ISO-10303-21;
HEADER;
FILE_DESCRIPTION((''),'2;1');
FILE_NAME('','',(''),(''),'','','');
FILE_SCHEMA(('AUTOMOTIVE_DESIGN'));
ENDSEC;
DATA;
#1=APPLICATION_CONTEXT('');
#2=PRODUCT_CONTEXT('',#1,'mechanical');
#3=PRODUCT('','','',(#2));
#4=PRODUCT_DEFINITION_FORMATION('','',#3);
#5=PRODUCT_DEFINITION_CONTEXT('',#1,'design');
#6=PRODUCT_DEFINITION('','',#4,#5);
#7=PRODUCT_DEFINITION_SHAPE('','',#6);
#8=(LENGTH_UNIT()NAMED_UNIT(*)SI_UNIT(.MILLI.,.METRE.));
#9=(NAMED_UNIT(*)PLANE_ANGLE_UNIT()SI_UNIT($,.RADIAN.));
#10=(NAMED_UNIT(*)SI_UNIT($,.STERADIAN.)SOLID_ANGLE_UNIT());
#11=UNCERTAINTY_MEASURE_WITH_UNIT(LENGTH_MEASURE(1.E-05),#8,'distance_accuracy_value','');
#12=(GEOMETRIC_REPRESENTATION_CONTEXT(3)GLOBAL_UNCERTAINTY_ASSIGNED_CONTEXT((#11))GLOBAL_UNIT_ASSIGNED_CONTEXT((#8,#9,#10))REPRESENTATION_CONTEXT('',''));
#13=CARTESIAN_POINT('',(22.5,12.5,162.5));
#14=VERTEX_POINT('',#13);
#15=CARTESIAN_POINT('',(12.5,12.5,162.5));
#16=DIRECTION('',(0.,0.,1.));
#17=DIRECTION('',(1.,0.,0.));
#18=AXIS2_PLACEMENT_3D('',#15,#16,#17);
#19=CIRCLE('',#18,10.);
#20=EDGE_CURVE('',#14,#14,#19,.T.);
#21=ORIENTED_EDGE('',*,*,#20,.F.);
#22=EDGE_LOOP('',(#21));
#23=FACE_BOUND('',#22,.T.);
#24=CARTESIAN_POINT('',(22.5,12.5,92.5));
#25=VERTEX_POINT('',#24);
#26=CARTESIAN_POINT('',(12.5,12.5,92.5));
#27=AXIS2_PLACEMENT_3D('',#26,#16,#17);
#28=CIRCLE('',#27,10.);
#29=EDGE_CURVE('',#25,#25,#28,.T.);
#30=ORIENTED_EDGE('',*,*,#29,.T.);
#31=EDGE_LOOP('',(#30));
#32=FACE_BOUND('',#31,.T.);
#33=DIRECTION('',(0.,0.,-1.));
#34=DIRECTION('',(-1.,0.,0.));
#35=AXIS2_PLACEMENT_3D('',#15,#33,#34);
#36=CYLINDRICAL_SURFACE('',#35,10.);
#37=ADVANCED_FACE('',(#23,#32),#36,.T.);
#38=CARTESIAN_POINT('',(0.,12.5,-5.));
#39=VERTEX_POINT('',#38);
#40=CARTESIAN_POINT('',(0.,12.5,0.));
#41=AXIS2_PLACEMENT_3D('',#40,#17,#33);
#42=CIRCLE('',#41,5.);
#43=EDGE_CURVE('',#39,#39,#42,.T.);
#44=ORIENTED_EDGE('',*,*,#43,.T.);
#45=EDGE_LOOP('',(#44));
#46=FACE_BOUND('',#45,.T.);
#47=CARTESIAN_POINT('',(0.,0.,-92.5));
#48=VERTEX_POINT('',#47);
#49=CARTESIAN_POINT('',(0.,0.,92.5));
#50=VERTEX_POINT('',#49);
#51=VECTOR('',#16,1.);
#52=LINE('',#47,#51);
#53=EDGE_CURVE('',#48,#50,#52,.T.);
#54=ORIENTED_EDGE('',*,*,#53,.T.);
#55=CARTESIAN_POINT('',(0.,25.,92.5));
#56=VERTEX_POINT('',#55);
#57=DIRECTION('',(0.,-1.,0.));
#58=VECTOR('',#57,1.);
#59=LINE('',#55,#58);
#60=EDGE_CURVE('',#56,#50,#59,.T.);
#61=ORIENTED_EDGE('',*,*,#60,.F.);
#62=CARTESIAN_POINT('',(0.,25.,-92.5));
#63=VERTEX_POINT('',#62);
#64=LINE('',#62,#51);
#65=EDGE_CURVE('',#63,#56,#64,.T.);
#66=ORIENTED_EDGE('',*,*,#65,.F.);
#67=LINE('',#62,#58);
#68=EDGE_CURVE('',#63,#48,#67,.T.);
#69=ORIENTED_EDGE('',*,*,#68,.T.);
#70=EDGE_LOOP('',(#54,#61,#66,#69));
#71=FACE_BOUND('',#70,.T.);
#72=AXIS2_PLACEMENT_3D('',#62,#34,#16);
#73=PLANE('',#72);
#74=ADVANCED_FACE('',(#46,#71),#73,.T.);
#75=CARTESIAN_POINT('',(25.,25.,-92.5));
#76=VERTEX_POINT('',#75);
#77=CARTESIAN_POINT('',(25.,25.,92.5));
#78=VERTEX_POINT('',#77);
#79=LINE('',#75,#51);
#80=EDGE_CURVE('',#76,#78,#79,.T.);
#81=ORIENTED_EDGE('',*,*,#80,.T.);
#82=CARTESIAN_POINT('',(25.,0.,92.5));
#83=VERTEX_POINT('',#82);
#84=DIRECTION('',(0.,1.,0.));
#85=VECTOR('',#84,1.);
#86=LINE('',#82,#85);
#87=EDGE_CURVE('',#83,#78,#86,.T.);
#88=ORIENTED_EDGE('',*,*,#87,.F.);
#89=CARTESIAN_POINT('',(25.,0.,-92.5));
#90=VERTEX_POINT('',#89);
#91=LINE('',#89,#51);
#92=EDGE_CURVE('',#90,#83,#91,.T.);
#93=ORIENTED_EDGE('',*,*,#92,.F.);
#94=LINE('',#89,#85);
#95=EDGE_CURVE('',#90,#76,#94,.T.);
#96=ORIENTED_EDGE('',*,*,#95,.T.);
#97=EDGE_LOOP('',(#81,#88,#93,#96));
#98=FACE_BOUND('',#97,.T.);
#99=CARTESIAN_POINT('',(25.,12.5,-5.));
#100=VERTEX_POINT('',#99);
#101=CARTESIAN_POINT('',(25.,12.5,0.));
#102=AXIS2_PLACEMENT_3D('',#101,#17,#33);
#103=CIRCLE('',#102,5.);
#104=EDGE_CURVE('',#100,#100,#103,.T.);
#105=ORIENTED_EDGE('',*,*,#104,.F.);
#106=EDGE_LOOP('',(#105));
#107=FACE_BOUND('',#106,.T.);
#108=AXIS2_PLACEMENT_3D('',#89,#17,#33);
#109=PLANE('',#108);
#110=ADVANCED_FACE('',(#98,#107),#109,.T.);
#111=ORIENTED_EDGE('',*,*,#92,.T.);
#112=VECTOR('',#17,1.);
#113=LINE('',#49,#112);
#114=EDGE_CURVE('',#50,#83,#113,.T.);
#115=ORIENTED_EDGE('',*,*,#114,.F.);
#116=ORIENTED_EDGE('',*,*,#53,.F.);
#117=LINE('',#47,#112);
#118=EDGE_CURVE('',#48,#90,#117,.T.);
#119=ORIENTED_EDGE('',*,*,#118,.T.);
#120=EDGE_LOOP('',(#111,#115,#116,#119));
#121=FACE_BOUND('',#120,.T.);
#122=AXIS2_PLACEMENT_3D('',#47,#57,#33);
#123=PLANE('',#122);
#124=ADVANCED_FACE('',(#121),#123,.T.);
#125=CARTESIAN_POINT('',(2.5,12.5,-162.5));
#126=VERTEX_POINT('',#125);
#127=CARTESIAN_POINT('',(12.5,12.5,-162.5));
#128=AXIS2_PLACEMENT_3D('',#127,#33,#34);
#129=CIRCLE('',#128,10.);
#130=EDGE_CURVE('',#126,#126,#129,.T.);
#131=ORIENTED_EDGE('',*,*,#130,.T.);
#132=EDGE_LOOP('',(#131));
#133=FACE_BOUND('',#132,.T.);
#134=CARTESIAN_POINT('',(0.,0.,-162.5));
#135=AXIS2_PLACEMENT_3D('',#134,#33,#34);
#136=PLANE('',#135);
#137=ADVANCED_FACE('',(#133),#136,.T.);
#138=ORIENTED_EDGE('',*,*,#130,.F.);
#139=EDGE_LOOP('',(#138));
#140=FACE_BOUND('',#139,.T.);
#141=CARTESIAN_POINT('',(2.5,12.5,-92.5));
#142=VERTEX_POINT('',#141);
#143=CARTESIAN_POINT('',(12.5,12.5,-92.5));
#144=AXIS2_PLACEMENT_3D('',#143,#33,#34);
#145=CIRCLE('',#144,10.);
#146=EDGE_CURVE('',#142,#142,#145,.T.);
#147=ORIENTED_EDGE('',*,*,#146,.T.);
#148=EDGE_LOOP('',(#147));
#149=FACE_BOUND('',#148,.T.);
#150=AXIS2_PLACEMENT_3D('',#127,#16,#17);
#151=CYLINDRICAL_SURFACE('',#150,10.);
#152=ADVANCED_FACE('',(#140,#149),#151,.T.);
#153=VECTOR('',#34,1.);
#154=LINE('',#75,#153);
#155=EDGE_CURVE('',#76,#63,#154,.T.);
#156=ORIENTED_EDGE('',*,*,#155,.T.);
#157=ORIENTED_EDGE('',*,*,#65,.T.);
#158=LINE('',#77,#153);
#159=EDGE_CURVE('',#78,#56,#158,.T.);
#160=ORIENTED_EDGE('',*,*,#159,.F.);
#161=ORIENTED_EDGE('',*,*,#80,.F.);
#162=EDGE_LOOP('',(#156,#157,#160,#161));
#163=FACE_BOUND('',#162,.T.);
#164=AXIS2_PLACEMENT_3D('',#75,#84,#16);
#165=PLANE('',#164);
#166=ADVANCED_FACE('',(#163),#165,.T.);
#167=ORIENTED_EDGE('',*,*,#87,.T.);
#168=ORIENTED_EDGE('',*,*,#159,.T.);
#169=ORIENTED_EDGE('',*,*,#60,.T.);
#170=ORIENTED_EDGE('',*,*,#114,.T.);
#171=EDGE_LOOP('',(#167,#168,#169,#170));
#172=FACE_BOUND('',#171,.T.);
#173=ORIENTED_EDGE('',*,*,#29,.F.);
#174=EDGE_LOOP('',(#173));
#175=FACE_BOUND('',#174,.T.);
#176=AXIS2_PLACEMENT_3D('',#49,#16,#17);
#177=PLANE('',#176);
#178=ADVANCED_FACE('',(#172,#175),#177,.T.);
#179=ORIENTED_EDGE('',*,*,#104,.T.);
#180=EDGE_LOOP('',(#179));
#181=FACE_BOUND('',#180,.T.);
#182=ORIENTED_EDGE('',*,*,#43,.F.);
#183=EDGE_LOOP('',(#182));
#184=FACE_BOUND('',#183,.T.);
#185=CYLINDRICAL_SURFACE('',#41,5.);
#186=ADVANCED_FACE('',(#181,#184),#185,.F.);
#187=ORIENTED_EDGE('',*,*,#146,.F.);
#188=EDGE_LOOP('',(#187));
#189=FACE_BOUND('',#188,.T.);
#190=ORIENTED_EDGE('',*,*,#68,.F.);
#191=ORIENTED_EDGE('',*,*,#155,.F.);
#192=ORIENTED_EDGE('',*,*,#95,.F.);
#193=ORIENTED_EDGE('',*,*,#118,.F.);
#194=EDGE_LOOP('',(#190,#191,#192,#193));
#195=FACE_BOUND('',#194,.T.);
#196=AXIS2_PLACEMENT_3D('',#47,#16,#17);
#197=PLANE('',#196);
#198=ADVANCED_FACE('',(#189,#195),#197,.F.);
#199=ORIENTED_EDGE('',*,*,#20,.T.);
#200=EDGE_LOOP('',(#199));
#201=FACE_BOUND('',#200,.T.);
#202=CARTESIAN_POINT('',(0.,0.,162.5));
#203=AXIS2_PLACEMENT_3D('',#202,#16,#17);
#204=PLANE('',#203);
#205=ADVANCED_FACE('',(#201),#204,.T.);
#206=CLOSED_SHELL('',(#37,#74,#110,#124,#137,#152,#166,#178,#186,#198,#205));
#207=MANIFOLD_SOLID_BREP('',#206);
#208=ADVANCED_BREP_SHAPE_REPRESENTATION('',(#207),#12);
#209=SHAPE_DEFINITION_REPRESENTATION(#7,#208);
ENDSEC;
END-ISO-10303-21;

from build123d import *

# Parameters (mm, degrees)
BOSS_EXTRUDE1_DEPTH      = 92.5
BOSS_EXTRUDE1_DEPTH_BACK = 92.5
SKETCH1_W                = 25
SKETCH1_H                = 25
SKETCH2_R                = 5
CUT_EXTRUDE1_DEPTH       = 100.026511602
SKETCH3_R                = 10
BOSS_EXTRUDE2_DEPTH      = 70
BOSS_EXTRUDE3_START      = 70
BOSS_EXTRUDE3_DEPTH      = 70


with BuildPart() as part:
    # Sketch1 → Boss-Extrude1 (new, two sides: drawn at the far end of the back side and taken through both)
    with BuildSketch(Plane.XY.offset(-BOSS_EXTRUDE1_DEPTH_BACK)):
        with Locations((12.5, 12.5)):
            Rectangle(SKETCH1_W, SKETCH1_H)
    extrude(amount=BOSS_EXTRUDE1_DEPTH + BOSS_EXTRUDE1_DEPTH_BACK)

    # Sketch2 → Cut-Extrude1 (cut, through all)
    with BuildSketch(Plane(origin=(25, 0, 0), x_dir=(0, 0, -1), z_dir=(1, 0, 0))):
        with Locations((0, 12.5)):
            Circle(SKETCH2_R)
    extrude(amount=-CUT_EXTRUDE1_DEPTH, mode=Mode.SUBTRACT)

    # Sketch3 → Boss-Extrude2 (add)
    with BuildSketch(Plane.XY.offset(92.5)):
        with Locations((12.5, 12.5)):
            Circle(SKETCH3_R)
    extrude(amount=BOSS_EXTRUDE2_DEPTH)

    # Sketch4 → Boss-Extrude3 (add)
    with BuildSketch(Plane(origin=(0, 0, -92.5), x_dir=(-1, 0, 0), z_dir=(0, 0, -1)).offset(BOSS_EXTRUDE3_START)):
        with BuildLine():
            ThreePointArc((-22.5, 12.5), (-12.5, 2.5), (-2.5, 12.5))
            ThreePointArc((-2.5, 12.5), (-12.5, 22.5), (-22.5, 12.5))
        make_face()
    extrude(amount=-BOSS_EXTRUDE3_DEPTH)


solid = part.part
